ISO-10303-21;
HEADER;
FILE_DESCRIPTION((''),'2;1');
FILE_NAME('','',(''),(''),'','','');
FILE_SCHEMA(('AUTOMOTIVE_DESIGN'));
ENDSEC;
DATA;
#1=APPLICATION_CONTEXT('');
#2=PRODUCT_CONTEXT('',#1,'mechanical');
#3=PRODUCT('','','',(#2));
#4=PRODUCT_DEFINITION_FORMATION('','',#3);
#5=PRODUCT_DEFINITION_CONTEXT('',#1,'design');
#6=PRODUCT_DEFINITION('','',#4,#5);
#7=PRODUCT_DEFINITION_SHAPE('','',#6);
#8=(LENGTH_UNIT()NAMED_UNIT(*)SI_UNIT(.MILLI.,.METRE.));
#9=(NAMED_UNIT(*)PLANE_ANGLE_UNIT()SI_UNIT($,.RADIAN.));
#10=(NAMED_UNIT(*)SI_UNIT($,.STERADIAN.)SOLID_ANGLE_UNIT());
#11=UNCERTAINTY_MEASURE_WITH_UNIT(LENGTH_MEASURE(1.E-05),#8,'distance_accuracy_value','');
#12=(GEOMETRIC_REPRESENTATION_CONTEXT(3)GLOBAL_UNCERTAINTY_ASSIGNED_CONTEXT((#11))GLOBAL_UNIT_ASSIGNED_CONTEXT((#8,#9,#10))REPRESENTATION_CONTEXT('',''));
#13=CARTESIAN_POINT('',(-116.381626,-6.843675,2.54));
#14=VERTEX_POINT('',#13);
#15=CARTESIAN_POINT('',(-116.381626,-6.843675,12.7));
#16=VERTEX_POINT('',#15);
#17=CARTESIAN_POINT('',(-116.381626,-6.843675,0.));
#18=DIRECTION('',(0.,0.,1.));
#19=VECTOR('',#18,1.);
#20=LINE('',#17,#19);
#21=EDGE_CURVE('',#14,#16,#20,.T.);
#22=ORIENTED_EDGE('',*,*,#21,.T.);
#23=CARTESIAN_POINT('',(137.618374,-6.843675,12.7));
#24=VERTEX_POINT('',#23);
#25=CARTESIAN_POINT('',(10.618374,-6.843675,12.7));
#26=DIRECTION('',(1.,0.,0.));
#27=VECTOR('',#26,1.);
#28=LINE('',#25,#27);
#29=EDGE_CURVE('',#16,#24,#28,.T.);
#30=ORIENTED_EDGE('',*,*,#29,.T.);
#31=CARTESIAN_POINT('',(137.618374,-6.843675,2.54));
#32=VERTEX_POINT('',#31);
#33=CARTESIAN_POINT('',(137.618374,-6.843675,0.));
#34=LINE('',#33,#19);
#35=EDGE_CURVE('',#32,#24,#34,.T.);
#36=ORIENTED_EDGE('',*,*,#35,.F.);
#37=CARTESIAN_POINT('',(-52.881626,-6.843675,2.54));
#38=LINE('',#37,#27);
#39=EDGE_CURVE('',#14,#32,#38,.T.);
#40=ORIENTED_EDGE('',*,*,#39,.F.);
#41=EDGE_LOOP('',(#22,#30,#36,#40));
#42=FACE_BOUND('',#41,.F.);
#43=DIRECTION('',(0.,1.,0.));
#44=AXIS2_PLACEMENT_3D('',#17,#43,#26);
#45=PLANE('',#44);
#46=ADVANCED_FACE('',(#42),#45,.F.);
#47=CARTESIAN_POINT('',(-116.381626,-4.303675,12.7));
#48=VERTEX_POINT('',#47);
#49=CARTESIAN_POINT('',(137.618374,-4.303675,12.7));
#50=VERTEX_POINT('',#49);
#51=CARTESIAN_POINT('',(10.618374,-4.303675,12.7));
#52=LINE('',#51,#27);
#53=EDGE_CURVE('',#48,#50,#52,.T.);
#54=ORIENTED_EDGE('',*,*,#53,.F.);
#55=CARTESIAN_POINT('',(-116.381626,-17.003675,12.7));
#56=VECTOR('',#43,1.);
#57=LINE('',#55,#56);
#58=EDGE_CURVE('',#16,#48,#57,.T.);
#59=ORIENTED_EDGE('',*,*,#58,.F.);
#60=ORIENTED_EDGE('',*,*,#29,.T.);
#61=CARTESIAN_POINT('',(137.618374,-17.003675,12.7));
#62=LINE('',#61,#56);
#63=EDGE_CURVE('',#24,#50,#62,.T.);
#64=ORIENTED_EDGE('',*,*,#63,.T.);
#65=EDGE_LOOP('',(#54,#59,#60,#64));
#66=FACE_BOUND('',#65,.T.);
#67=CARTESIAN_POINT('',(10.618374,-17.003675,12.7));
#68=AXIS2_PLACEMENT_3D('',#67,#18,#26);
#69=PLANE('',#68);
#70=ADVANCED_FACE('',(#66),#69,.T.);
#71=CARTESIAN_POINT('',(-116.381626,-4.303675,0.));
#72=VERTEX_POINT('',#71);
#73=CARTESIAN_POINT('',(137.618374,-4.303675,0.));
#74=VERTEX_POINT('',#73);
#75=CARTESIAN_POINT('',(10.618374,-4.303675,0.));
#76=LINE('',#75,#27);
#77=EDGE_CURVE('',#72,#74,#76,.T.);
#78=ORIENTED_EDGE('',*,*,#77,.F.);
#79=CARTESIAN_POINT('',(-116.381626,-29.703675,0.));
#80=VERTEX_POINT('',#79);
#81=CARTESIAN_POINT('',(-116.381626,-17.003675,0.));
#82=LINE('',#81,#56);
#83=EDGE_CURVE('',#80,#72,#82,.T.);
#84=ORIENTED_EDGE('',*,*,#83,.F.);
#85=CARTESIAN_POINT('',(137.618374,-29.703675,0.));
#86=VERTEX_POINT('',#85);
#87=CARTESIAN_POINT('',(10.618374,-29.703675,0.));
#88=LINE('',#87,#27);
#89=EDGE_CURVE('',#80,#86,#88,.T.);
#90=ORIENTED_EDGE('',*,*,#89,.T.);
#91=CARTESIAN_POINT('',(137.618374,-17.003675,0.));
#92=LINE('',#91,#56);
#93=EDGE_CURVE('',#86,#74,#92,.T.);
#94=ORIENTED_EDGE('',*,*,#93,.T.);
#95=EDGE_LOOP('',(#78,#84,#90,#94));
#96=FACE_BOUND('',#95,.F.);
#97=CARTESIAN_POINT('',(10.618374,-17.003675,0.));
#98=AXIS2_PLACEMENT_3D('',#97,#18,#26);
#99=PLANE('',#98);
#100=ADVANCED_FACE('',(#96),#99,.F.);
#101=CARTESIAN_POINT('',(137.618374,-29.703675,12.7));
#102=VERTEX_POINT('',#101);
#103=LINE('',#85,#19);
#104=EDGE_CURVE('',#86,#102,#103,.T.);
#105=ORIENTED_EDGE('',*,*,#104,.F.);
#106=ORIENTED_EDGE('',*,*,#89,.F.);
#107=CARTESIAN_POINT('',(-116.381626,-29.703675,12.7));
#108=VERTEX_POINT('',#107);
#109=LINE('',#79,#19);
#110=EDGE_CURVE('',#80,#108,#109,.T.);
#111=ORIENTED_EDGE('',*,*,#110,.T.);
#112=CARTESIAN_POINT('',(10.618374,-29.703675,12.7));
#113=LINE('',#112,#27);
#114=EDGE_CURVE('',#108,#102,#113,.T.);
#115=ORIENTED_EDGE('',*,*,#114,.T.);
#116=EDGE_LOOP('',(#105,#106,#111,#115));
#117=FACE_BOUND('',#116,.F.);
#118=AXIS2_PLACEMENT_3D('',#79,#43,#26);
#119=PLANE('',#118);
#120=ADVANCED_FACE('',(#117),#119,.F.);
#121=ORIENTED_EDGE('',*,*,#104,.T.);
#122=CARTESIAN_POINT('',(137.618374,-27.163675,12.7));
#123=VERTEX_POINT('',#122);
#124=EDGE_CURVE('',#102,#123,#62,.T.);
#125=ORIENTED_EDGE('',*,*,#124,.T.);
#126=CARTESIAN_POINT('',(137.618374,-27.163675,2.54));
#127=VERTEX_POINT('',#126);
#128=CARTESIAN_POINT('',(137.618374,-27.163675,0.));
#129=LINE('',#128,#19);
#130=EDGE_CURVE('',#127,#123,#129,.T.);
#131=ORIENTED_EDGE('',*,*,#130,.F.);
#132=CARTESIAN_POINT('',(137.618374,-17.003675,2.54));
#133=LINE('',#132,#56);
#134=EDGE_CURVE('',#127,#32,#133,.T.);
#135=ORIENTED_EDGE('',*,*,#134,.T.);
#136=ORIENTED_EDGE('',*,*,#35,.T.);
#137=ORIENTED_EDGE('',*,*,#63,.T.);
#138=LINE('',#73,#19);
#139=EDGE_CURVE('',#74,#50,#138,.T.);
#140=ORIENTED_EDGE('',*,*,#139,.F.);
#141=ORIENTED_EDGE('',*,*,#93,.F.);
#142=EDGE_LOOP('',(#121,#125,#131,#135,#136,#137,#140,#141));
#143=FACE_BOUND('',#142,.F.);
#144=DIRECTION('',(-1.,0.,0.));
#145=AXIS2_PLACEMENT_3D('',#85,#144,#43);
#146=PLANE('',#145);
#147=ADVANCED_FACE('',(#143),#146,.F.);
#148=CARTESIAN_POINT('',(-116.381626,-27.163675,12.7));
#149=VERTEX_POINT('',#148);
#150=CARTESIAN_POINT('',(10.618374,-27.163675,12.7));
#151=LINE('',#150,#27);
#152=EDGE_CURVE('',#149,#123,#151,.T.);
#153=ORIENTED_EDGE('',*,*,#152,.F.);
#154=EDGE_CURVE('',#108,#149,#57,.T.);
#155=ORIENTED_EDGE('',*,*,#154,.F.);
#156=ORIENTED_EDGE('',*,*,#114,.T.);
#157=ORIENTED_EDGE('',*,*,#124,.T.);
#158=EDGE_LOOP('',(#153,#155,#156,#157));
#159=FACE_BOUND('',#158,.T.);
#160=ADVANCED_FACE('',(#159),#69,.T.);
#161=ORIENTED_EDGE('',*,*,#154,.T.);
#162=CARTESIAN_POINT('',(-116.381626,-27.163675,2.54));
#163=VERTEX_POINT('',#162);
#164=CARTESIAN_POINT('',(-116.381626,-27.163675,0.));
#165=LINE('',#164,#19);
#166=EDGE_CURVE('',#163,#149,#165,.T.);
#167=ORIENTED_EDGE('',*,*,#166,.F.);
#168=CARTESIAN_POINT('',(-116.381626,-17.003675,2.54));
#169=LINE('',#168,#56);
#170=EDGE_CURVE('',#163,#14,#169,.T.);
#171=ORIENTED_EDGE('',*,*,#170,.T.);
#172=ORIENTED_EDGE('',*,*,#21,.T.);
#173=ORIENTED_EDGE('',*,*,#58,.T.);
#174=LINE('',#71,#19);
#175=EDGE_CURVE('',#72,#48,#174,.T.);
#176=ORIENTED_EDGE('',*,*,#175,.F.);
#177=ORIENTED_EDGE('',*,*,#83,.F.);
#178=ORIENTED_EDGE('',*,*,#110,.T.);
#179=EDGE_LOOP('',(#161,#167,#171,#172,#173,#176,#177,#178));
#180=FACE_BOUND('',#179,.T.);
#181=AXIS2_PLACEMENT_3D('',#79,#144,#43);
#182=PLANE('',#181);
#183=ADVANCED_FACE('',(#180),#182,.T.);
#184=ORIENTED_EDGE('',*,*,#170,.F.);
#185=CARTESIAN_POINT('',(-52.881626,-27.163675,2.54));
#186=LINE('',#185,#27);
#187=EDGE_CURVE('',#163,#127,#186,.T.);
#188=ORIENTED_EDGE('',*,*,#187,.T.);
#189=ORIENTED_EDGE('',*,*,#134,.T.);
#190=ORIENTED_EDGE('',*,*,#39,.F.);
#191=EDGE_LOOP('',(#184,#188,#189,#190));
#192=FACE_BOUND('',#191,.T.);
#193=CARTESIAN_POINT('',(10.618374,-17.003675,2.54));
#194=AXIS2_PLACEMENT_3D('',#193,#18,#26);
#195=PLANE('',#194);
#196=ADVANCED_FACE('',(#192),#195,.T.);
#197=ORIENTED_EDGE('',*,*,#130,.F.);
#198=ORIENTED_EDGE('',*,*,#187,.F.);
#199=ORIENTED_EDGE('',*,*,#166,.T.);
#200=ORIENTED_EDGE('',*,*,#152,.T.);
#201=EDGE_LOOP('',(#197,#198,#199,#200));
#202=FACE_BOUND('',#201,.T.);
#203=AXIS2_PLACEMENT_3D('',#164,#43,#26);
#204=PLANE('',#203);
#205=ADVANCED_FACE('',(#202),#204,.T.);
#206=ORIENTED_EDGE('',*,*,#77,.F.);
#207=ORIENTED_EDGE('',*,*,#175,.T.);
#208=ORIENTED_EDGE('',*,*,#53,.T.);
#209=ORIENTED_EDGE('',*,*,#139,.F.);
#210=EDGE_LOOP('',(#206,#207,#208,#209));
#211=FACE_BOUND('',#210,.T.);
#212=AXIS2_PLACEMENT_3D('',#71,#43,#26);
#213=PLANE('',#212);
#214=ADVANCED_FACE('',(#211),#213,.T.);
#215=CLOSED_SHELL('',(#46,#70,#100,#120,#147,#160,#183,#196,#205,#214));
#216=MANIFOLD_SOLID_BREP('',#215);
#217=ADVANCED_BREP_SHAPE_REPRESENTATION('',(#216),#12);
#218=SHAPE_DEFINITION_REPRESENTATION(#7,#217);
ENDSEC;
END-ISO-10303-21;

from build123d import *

# Parameters (mm, degrees)
F0_W     = 254
F0_H     = 25.4
F1_DEPTH = 12.7
F2_T     = -2.54


with BuildPart() as f1:
    # F0 (on Top) → F1 (new body)
    with BuildSketch(Plane.XY):
        with Locations((10.618374, -17.003675)):
            Rectangle(F0_W, F0_H)
    extrude(amount=F1_DEPTH)

    # F2
    f2_openings = [f1.faces().sort_by_distance(p)[0] for p in [
        (10.618374, -17.003675, 12.7),
        (137.618374, -17.003675, 6.35),
        (-116.381626, -17.003675, 6.35),
    ]]
    offset(amount=F2_T, openings=f2_openings)


solid = f1.part
